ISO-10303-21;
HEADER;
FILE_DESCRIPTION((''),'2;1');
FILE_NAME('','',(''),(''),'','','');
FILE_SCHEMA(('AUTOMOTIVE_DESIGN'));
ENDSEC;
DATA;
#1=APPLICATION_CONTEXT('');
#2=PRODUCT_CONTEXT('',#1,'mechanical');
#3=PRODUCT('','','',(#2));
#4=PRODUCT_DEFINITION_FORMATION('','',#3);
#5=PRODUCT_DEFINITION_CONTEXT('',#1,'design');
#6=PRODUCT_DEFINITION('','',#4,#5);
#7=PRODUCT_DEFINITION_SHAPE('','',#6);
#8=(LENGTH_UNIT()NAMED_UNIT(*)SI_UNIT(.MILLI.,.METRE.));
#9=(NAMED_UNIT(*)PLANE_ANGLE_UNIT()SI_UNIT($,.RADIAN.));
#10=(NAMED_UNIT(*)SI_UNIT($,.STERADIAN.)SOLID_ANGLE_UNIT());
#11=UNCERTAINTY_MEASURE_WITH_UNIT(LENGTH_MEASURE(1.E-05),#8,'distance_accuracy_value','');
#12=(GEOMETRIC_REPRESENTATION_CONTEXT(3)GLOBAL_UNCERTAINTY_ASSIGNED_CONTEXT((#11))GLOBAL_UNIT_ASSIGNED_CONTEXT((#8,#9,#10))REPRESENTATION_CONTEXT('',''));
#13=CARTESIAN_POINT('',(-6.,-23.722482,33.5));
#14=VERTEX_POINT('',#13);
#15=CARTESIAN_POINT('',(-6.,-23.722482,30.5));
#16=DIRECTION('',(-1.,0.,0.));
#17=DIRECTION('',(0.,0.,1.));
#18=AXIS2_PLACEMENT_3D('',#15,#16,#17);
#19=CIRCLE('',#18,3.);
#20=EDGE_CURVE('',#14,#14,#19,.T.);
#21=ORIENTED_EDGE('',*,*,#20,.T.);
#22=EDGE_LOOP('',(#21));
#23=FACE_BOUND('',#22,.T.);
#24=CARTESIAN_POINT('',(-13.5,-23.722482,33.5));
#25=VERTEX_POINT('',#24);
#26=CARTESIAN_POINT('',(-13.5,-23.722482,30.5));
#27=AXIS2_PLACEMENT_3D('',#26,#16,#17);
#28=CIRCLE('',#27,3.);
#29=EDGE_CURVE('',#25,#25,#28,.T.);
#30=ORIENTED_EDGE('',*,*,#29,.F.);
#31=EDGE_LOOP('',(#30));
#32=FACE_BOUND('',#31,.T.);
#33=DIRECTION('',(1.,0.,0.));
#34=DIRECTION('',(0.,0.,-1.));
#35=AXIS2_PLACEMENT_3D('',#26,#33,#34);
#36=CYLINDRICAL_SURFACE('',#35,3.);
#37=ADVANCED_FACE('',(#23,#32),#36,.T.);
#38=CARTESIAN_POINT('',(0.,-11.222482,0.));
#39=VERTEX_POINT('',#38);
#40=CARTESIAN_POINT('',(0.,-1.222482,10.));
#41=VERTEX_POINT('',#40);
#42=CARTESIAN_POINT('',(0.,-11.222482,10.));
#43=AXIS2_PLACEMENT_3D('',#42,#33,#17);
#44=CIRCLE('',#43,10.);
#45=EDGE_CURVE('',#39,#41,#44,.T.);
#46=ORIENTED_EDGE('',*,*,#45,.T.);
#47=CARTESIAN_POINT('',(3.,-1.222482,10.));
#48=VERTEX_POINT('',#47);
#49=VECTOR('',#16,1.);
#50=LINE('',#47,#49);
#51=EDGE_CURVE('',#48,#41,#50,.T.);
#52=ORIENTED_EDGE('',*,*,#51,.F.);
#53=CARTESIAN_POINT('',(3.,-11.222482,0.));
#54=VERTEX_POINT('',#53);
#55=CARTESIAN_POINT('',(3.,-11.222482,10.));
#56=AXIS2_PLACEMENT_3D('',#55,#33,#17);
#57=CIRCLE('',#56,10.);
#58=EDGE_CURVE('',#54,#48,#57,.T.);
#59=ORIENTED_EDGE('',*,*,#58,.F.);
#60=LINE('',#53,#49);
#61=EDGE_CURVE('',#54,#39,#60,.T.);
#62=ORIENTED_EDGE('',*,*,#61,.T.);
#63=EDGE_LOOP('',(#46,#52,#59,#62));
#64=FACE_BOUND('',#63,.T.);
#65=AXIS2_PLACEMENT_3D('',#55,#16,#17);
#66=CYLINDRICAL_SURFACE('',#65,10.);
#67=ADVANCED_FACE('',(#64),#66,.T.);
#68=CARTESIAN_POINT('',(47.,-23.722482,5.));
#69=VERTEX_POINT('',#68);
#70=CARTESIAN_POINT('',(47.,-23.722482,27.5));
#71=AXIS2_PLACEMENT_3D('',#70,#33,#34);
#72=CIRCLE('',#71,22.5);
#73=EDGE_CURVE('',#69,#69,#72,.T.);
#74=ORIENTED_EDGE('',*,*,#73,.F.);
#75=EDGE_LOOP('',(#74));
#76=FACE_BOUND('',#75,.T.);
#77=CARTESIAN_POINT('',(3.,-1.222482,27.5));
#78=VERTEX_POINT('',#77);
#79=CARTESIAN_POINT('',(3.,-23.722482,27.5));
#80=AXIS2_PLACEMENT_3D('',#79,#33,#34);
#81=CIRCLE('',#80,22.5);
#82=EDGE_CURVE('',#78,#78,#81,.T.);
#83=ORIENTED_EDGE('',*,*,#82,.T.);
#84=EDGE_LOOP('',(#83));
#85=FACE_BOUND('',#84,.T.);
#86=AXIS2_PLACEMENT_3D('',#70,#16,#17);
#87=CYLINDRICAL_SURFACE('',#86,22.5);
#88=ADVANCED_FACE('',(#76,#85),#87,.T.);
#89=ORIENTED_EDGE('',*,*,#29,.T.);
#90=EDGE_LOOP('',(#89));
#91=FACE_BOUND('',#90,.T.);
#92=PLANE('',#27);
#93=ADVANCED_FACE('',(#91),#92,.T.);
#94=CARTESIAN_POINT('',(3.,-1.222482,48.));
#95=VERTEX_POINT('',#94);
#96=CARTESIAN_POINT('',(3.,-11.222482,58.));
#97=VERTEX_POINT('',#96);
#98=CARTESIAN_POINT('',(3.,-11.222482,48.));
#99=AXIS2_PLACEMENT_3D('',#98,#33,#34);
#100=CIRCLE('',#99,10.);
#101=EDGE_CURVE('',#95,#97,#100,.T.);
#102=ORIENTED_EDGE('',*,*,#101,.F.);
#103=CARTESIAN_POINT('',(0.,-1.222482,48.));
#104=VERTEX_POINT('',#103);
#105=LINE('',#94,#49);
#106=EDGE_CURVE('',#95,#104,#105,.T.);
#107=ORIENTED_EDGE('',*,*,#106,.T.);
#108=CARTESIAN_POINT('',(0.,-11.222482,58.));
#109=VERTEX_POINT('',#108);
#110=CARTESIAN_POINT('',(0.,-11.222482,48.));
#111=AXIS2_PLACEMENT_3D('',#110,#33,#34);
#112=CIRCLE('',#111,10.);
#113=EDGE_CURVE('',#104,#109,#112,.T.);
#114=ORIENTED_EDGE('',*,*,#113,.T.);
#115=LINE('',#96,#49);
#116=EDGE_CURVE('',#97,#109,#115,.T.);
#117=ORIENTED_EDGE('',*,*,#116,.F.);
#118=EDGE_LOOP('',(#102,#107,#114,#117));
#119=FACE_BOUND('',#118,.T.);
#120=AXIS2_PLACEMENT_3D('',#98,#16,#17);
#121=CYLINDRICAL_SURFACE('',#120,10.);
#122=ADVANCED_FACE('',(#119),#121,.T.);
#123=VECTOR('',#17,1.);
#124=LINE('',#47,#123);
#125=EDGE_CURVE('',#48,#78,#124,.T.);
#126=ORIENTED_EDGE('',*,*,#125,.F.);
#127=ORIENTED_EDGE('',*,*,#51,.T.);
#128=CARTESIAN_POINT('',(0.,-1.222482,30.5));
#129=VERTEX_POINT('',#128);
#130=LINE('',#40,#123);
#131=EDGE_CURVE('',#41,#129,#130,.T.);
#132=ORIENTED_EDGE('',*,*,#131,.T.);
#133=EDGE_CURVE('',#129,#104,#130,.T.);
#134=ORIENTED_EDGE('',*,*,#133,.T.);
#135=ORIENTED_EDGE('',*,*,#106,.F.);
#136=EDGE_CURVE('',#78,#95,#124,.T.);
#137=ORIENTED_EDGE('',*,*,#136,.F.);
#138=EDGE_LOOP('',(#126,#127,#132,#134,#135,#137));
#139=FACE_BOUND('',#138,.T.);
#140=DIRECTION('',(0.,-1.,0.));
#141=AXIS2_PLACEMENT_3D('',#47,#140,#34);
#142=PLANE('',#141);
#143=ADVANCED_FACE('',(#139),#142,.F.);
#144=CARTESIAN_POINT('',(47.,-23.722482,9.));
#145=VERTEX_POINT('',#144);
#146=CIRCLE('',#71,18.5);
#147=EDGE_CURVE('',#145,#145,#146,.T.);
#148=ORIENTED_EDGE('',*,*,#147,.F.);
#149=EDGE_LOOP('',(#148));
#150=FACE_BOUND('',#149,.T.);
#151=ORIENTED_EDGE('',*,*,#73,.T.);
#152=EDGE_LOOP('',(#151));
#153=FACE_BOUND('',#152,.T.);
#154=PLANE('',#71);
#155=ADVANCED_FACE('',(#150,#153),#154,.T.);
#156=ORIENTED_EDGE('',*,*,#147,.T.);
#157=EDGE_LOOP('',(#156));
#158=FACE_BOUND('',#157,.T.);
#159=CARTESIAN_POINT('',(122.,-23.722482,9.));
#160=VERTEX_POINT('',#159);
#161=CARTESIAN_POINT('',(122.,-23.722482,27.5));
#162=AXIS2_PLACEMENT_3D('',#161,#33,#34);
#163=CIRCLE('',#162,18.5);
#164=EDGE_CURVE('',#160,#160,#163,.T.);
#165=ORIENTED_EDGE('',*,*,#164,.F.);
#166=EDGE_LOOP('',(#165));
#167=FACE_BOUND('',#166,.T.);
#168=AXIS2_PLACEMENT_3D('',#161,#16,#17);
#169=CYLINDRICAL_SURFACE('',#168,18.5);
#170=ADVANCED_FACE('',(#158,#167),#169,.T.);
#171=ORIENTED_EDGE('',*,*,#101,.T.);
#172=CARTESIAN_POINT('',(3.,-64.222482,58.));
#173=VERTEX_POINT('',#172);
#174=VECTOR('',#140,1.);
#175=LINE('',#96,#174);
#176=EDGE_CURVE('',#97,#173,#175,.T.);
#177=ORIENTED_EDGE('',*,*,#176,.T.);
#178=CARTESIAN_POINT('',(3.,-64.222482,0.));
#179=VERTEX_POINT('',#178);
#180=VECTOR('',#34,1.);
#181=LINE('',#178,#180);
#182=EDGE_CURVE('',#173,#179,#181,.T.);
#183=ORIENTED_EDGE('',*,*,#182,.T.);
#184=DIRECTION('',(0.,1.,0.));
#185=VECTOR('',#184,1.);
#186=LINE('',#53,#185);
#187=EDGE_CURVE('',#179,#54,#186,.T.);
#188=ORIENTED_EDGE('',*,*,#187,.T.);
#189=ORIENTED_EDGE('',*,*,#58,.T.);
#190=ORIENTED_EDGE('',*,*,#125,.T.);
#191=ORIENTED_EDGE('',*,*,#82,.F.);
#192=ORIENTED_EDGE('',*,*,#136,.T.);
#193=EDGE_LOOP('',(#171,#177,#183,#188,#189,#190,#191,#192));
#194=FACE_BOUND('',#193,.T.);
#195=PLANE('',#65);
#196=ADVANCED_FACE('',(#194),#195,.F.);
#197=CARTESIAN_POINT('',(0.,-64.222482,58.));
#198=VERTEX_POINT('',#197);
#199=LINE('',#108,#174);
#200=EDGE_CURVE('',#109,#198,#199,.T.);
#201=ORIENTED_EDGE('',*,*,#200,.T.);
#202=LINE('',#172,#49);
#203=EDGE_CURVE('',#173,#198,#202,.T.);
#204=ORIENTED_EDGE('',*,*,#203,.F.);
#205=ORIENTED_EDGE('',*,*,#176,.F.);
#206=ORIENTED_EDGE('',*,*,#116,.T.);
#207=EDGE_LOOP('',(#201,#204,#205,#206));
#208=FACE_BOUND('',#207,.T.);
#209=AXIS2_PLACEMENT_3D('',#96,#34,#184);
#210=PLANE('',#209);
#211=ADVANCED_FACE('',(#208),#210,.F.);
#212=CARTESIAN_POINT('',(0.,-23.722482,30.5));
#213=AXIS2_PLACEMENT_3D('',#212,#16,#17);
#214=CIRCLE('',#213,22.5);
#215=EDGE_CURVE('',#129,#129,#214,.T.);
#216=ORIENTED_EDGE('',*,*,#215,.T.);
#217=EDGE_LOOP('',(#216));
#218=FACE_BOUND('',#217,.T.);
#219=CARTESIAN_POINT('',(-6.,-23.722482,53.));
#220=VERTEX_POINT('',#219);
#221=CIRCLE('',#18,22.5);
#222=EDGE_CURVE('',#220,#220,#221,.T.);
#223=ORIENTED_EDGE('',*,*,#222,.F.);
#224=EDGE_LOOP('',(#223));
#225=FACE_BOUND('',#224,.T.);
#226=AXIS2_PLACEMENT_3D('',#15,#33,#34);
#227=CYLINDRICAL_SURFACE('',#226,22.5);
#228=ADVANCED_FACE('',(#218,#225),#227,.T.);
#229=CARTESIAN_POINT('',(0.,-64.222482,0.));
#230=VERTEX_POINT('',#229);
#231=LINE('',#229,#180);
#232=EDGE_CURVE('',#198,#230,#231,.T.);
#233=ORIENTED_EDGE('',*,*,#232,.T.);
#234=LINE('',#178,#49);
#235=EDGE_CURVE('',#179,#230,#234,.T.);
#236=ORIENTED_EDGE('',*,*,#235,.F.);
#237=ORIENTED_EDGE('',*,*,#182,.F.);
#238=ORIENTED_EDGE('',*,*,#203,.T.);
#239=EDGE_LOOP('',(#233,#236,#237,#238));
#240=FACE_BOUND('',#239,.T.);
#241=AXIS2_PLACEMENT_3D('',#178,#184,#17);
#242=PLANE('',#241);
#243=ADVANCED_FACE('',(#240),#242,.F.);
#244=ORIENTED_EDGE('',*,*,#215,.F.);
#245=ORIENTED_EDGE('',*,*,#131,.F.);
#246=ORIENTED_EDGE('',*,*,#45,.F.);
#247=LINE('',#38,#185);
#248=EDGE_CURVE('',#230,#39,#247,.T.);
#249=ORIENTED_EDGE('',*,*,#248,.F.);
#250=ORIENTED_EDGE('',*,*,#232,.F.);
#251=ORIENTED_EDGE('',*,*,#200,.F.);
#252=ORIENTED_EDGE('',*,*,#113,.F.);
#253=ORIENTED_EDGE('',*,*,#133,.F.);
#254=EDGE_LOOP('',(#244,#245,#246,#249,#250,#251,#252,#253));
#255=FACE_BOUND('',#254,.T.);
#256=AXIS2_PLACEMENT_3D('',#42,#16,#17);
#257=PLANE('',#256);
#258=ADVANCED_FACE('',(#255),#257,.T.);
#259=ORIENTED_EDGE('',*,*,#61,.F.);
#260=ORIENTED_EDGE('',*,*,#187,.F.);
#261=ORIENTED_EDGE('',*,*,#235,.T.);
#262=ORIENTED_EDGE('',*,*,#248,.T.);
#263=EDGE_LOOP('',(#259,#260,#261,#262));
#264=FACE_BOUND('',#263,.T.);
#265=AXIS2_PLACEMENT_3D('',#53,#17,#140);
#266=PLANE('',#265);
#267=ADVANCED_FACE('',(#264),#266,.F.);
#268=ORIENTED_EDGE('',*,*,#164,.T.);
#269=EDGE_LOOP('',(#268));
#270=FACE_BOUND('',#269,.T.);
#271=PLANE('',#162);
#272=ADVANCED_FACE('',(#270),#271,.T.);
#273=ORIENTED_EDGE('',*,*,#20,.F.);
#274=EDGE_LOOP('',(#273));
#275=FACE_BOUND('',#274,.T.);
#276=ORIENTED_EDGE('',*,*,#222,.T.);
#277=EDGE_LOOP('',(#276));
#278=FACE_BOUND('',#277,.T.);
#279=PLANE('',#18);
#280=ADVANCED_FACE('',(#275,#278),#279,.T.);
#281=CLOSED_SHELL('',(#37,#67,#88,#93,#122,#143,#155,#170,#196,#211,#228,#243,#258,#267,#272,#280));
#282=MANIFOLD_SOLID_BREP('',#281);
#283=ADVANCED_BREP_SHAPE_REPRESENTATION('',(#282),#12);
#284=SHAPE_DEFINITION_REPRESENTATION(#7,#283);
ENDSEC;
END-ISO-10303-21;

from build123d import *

# Parameters (mm, degrees)
BOSS_EXTRUDE1_DEPTH = 3
SKETCH2_R           = 22.5
BOSS_EXTRUDE2_DEPTH = 44
SKETCH3_R           = 18.5
BOSS_EXTRUDE3_DEPTH = 75
SKETCH4_R           = 22.5
BOSS_EXTRUDE4_DEPTH = 6
SKETCH5_R           = 3
BOSS_EXTRUDE5_DEPTH = 7.5


with BuildPart() as part:
    # Sketch1 → Boss-Extrude1 (new body)
    with BuildSketch(Plane(origin=(0, 0, 0), x_dir=(0, 0, -1), z_dir=(1, 0, 0))):
        with BuildLine():
            Line((-10, -1.222482436), (-48, -1.222482436))
            ThreePointArc((-48, -1.222482436), (-55.071067812, -4.151414624), (-58, -11.222482436))
            Line((-58, -11.222482436), (-58, -64.222482436))
            Line((-58, -64.222482436), (0, -64.222482436))
            Line((0, -64.222482436), (0, -11.222482436))
            ThreePointArc((0, -11.222482436), (-2.928932188, -4.151414624), (-10, -1.222482436))
        make_face()
    extrude(amount=BOSS_EXTRUDE1_DEPTH)

    # Sketch2 → Boss-Extrude2 (add)
    with BuildSketch(Plane(origin=(3, 0, 0), x_dir=(0, 0, -1), z_dir=(1, 0, 0))):
        with Locations(Location((-27.5, -23.722482436, 0), (0, 0, 90))):
            Circle(SKETCH2_R)
    extrude(amount=BOSS_EXTRUDE2_DEPTH)

    # Sketch3 → Boss-Extrude3 (add)
    with BuildSketch(Plane(origin=(47, 0, 0), x_dir=(0, 0, -1), z_dir=(1, 0, 0))):
        with Locations((-27.5, -23.722482436)):
            Circle(SKETCH3_R)
    extrude(amount=BOSS_EXTRUDE3_DEPTH)

    # Sketch4 → Boss-Extrude4 (add)
    with BuildSketch(Plane.ZY):
        with Locations(Location((30.5, -23.722482436, 0), (0, 0, 90))):
            Circle(SKETCH4_R)
    extrude(amount=BOSS_EXTRUDE4_DEPTH)

    # Sketch5 → Boss-Extrude5 (add)
    with BuildSketch(Plane.ZY.offset(6)):
        with Locations((30.5, -23.722482436)):
            Circle(SKETCH5_R)
    extrude(amount=BOSS_EXTRUDE5_DEPTH)


solid = part.part
